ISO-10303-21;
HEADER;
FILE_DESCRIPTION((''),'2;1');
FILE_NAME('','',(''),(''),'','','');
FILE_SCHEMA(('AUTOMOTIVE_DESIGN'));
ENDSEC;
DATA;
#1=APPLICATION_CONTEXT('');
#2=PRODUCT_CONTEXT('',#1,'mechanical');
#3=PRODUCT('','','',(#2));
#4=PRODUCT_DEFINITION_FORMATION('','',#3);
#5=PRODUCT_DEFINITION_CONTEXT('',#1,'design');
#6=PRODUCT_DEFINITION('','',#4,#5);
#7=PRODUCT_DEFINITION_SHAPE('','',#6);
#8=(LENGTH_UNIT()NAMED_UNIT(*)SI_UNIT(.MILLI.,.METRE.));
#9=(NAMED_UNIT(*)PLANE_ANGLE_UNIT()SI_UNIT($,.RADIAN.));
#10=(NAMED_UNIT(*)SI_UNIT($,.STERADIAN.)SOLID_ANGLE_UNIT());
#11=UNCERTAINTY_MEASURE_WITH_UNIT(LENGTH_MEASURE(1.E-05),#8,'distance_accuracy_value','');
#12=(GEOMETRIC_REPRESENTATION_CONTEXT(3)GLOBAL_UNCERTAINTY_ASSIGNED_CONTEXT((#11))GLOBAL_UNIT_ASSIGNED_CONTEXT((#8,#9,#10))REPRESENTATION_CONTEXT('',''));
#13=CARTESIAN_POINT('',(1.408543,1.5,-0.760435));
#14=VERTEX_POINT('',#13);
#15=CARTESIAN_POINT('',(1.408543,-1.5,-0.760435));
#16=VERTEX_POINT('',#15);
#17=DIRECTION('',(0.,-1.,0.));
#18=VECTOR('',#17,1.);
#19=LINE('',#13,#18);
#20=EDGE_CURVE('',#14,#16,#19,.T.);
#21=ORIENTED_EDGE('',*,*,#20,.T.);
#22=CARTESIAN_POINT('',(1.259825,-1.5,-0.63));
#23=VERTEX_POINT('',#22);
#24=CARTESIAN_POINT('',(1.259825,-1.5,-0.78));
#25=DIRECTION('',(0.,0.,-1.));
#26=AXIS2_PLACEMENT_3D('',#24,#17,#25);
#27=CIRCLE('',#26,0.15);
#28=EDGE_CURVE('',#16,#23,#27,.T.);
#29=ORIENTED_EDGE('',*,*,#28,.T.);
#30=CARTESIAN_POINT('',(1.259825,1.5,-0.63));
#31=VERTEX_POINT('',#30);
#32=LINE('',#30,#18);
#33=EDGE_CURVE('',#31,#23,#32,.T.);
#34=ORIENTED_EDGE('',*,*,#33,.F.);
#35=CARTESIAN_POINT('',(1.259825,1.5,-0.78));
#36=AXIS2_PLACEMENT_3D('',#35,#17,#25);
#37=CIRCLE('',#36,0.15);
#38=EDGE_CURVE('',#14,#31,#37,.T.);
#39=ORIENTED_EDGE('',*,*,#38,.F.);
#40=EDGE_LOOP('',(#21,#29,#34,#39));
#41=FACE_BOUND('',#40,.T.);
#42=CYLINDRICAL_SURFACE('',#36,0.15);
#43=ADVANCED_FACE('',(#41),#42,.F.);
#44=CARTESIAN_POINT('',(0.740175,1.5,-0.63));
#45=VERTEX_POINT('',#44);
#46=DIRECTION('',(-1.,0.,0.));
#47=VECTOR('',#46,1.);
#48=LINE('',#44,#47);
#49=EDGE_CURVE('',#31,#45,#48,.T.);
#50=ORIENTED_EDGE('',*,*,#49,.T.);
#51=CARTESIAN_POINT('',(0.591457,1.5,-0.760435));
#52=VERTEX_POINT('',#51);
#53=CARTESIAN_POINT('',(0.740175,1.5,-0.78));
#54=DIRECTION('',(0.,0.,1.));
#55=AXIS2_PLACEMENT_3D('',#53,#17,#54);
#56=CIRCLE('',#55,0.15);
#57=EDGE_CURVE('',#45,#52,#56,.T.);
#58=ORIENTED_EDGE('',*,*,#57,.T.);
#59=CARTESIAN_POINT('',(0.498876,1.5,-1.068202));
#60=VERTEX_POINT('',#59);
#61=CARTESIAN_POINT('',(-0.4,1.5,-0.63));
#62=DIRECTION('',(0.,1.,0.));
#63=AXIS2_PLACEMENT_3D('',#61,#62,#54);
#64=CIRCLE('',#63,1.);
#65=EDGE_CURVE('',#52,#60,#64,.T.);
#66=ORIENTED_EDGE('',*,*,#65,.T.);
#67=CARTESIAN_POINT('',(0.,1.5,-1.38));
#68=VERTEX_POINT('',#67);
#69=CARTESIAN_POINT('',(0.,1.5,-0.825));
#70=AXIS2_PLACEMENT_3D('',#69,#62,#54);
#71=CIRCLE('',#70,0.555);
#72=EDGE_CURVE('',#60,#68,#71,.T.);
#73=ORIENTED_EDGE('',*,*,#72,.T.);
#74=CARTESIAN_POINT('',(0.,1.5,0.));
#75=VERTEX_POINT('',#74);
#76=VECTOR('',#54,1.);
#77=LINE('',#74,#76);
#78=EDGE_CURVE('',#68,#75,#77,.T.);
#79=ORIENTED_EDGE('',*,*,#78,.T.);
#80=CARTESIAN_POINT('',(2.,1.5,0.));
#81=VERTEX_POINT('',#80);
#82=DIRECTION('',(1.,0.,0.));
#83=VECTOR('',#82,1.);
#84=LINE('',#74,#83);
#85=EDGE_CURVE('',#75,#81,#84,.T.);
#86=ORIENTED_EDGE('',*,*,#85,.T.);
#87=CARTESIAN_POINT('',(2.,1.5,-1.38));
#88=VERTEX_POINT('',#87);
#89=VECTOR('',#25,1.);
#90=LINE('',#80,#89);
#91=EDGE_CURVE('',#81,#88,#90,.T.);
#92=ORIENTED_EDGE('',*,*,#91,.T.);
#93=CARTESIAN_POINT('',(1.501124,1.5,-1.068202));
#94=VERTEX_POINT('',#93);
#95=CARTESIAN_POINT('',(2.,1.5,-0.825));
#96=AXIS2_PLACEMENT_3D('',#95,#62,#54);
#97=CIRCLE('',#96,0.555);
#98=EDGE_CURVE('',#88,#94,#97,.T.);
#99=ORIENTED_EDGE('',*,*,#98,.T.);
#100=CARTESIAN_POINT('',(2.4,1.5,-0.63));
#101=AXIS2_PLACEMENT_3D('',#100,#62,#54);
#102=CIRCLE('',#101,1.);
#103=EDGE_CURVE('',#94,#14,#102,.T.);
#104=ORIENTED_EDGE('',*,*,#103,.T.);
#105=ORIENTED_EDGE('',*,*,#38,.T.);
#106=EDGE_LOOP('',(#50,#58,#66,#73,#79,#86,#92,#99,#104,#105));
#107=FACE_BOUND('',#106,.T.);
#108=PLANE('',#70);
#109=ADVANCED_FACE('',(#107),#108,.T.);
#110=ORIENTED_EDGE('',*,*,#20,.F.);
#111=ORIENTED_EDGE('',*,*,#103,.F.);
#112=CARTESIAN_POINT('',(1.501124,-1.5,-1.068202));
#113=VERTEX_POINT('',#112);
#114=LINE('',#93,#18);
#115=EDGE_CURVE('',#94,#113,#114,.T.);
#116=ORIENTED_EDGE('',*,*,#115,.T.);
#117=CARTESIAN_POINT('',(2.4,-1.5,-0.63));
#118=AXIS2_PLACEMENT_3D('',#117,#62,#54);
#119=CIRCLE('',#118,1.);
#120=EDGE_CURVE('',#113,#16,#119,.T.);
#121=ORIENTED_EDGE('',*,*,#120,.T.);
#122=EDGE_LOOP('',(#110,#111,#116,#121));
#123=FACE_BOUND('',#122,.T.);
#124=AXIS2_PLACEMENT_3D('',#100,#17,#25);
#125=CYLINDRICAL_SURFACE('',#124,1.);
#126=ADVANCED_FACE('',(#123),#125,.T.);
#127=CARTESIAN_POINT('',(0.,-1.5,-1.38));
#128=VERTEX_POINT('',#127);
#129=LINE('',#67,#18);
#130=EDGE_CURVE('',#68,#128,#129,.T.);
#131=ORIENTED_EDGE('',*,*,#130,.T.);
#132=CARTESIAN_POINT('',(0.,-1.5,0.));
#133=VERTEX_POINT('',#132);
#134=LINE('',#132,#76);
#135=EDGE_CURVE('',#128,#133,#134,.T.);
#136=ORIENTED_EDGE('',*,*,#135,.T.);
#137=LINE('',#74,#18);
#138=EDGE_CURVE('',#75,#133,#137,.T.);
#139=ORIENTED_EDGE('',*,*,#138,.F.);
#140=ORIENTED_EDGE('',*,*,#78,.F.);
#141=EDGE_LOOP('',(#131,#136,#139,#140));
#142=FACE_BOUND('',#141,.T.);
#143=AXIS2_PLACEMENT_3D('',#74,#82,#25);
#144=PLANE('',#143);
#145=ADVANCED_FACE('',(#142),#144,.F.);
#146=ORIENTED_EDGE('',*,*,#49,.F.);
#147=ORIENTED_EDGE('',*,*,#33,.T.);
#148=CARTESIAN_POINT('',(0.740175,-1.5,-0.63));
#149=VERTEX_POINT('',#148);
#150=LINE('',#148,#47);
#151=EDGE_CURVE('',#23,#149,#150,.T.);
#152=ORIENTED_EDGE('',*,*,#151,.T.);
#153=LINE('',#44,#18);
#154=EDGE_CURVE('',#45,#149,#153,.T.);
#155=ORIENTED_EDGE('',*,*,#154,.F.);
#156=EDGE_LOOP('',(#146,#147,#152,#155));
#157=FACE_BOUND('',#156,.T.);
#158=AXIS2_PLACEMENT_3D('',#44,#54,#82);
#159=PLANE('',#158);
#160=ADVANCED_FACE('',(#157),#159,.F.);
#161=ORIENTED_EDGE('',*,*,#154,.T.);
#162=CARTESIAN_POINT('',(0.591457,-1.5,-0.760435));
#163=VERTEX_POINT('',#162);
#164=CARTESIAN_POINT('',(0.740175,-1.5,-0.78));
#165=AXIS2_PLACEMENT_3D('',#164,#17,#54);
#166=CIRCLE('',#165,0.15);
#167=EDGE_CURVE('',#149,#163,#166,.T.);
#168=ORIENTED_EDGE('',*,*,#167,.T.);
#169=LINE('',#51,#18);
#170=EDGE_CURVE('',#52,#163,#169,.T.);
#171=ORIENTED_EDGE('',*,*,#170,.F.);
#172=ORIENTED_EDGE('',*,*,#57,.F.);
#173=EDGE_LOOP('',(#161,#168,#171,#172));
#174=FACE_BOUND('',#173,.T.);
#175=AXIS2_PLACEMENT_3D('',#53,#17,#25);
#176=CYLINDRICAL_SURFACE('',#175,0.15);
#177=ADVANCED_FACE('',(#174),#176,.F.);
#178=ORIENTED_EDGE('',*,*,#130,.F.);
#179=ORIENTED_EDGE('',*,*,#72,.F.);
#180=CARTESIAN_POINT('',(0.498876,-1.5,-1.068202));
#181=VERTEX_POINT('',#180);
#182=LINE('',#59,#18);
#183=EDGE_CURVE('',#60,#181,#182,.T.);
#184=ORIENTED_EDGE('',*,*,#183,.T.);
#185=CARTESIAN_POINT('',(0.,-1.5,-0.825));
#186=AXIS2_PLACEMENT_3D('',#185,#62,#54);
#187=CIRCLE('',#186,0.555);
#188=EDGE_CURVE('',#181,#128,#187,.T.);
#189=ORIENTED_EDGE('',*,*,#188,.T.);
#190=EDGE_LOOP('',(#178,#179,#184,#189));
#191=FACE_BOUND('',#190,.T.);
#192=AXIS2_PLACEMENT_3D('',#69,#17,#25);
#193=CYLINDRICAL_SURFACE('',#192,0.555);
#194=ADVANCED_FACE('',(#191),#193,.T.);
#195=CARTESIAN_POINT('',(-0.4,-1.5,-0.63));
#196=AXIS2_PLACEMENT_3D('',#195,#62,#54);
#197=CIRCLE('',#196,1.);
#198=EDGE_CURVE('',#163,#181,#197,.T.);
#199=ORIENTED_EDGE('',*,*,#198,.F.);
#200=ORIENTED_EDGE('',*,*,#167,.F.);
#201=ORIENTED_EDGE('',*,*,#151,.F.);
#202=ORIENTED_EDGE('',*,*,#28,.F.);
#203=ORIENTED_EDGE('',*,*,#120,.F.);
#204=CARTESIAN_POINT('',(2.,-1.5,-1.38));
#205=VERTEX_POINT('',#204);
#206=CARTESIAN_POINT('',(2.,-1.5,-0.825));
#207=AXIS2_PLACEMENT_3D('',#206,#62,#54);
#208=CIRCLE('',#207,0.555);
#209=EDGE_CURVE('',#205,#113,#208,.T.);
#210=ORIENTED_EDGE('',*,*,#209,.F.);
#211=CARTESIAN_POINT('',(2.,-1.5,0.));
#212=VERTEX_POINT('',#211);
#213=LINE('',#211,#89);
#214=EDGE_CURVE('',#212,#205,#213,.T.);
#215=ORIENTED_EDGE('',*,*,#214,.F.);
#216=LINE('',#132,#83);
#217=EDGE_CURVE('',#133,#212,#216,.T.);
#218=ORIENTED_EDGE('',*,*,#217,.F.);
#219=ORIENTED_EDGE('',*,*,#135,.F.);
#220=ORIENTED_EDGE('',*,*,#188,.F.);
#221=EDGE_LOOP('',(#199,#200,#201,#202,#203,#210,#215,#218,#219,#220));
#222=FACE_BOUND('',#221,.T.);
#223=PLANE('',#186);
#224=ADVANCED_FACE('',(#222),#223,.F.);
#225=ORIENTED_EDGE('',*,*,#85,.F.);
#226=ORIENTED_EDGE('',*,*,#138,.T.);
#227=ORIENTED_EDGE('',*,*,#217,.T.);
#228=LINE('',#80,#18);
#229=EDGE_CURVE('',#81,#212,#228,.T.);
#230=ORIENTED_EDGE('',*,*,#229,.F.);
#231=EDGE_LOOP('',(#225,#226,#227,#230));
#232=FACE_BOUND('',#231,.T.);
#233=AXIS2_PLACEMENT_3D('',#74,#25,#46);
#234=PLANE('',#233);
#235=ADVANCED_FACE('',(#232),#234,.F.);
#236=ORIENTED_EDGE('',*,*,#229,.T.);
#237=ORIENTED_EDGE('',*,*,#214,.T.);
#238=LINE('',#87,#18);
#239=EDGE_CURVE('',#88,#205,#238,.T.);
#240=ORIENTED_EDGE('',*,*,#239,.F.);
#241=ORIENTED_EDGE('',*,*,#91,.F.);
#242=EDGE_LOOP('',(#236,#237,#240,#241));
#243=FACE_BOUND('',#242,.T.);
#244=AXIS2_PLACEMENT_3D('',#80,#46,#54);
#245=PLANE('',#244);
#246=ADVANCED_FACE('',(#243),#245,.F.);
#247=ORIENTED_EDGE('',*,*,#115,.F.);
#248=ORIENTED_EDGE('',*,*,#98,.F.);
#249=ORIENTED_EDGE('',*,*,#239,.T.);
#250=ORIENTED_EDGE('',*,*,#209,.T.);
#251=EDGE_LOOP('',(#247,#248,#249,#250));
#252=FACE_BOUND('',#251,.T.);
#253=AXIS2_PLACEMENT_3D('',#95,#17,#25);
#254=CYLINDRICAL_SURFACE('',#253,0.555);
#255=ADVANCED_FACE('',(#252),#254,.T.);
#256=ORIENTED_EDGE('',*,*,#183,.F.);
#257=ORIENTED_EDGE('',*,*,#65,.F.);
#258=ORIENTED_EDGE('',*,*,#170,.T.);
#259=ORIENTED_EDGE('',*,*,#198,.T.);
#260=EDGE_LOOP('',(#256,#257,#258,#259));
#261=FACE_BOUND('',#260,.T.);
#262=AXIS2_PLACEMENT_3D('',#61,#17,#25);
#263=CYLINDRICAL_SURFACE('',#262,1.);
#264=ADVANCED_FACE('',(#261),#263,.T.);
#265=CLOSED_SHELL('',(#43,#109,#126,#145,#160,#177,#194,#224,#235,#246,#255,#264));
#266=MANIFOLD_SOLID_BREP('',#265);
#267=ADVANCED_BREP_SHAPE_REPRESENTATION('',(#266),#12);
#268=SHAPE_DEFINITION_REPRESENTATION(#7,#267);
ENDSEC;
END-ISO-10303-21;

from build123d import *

# Parameters (mm, degrees)
BOSS_EXTRUDE1_DEPTH = 1.5


with BuildPart() as part:
    # Sketch1 → Boss-Extrude1 (new, symmetric)
    with BuildSketch(Plane(origin=(0, 0, 0), x_dir=(1, 0, 0), z_dir=(0, 1, 0))):
        with BuildLine():
            Line((0, 0), (2, 0))
            Line((2, 0), (2, 1.38))
            ThreePointArc((2, 1.38), (1.705850588, 1.295639059), (1.501123596, 1.068202247))
            ThreePointArc((1.501123596, 1.068202247), (1.442388286, 0.918062154), (1.408543109, 0.760434783))
            ThreePointArc((1.408543109, 0.760434783), (1.358731646, 0.667228588), (1.259824575, 0.63))
            Line((1.259824575, 0.63), (0.740175425, 0.63))
            ThreePointArc((0.740175425, 0.63), (0.641268354, 0.667228588), (0.591456891, 0.760434783))
            ThreePointArc((0.591456891, 0.760434783), (0.557611714, 0.918062154), (0.498876404, 1.068202247))
            ThreePointArc((0.498876404, 1.068202247), (0.294149412, 1.295639059), (0, 1.38))
            Line((0, 1.38), (0, 0))
        make_face()
    extrude(amount=BOSS_EXTRUDE1_DEPTH, both=True)


solid = part.part
